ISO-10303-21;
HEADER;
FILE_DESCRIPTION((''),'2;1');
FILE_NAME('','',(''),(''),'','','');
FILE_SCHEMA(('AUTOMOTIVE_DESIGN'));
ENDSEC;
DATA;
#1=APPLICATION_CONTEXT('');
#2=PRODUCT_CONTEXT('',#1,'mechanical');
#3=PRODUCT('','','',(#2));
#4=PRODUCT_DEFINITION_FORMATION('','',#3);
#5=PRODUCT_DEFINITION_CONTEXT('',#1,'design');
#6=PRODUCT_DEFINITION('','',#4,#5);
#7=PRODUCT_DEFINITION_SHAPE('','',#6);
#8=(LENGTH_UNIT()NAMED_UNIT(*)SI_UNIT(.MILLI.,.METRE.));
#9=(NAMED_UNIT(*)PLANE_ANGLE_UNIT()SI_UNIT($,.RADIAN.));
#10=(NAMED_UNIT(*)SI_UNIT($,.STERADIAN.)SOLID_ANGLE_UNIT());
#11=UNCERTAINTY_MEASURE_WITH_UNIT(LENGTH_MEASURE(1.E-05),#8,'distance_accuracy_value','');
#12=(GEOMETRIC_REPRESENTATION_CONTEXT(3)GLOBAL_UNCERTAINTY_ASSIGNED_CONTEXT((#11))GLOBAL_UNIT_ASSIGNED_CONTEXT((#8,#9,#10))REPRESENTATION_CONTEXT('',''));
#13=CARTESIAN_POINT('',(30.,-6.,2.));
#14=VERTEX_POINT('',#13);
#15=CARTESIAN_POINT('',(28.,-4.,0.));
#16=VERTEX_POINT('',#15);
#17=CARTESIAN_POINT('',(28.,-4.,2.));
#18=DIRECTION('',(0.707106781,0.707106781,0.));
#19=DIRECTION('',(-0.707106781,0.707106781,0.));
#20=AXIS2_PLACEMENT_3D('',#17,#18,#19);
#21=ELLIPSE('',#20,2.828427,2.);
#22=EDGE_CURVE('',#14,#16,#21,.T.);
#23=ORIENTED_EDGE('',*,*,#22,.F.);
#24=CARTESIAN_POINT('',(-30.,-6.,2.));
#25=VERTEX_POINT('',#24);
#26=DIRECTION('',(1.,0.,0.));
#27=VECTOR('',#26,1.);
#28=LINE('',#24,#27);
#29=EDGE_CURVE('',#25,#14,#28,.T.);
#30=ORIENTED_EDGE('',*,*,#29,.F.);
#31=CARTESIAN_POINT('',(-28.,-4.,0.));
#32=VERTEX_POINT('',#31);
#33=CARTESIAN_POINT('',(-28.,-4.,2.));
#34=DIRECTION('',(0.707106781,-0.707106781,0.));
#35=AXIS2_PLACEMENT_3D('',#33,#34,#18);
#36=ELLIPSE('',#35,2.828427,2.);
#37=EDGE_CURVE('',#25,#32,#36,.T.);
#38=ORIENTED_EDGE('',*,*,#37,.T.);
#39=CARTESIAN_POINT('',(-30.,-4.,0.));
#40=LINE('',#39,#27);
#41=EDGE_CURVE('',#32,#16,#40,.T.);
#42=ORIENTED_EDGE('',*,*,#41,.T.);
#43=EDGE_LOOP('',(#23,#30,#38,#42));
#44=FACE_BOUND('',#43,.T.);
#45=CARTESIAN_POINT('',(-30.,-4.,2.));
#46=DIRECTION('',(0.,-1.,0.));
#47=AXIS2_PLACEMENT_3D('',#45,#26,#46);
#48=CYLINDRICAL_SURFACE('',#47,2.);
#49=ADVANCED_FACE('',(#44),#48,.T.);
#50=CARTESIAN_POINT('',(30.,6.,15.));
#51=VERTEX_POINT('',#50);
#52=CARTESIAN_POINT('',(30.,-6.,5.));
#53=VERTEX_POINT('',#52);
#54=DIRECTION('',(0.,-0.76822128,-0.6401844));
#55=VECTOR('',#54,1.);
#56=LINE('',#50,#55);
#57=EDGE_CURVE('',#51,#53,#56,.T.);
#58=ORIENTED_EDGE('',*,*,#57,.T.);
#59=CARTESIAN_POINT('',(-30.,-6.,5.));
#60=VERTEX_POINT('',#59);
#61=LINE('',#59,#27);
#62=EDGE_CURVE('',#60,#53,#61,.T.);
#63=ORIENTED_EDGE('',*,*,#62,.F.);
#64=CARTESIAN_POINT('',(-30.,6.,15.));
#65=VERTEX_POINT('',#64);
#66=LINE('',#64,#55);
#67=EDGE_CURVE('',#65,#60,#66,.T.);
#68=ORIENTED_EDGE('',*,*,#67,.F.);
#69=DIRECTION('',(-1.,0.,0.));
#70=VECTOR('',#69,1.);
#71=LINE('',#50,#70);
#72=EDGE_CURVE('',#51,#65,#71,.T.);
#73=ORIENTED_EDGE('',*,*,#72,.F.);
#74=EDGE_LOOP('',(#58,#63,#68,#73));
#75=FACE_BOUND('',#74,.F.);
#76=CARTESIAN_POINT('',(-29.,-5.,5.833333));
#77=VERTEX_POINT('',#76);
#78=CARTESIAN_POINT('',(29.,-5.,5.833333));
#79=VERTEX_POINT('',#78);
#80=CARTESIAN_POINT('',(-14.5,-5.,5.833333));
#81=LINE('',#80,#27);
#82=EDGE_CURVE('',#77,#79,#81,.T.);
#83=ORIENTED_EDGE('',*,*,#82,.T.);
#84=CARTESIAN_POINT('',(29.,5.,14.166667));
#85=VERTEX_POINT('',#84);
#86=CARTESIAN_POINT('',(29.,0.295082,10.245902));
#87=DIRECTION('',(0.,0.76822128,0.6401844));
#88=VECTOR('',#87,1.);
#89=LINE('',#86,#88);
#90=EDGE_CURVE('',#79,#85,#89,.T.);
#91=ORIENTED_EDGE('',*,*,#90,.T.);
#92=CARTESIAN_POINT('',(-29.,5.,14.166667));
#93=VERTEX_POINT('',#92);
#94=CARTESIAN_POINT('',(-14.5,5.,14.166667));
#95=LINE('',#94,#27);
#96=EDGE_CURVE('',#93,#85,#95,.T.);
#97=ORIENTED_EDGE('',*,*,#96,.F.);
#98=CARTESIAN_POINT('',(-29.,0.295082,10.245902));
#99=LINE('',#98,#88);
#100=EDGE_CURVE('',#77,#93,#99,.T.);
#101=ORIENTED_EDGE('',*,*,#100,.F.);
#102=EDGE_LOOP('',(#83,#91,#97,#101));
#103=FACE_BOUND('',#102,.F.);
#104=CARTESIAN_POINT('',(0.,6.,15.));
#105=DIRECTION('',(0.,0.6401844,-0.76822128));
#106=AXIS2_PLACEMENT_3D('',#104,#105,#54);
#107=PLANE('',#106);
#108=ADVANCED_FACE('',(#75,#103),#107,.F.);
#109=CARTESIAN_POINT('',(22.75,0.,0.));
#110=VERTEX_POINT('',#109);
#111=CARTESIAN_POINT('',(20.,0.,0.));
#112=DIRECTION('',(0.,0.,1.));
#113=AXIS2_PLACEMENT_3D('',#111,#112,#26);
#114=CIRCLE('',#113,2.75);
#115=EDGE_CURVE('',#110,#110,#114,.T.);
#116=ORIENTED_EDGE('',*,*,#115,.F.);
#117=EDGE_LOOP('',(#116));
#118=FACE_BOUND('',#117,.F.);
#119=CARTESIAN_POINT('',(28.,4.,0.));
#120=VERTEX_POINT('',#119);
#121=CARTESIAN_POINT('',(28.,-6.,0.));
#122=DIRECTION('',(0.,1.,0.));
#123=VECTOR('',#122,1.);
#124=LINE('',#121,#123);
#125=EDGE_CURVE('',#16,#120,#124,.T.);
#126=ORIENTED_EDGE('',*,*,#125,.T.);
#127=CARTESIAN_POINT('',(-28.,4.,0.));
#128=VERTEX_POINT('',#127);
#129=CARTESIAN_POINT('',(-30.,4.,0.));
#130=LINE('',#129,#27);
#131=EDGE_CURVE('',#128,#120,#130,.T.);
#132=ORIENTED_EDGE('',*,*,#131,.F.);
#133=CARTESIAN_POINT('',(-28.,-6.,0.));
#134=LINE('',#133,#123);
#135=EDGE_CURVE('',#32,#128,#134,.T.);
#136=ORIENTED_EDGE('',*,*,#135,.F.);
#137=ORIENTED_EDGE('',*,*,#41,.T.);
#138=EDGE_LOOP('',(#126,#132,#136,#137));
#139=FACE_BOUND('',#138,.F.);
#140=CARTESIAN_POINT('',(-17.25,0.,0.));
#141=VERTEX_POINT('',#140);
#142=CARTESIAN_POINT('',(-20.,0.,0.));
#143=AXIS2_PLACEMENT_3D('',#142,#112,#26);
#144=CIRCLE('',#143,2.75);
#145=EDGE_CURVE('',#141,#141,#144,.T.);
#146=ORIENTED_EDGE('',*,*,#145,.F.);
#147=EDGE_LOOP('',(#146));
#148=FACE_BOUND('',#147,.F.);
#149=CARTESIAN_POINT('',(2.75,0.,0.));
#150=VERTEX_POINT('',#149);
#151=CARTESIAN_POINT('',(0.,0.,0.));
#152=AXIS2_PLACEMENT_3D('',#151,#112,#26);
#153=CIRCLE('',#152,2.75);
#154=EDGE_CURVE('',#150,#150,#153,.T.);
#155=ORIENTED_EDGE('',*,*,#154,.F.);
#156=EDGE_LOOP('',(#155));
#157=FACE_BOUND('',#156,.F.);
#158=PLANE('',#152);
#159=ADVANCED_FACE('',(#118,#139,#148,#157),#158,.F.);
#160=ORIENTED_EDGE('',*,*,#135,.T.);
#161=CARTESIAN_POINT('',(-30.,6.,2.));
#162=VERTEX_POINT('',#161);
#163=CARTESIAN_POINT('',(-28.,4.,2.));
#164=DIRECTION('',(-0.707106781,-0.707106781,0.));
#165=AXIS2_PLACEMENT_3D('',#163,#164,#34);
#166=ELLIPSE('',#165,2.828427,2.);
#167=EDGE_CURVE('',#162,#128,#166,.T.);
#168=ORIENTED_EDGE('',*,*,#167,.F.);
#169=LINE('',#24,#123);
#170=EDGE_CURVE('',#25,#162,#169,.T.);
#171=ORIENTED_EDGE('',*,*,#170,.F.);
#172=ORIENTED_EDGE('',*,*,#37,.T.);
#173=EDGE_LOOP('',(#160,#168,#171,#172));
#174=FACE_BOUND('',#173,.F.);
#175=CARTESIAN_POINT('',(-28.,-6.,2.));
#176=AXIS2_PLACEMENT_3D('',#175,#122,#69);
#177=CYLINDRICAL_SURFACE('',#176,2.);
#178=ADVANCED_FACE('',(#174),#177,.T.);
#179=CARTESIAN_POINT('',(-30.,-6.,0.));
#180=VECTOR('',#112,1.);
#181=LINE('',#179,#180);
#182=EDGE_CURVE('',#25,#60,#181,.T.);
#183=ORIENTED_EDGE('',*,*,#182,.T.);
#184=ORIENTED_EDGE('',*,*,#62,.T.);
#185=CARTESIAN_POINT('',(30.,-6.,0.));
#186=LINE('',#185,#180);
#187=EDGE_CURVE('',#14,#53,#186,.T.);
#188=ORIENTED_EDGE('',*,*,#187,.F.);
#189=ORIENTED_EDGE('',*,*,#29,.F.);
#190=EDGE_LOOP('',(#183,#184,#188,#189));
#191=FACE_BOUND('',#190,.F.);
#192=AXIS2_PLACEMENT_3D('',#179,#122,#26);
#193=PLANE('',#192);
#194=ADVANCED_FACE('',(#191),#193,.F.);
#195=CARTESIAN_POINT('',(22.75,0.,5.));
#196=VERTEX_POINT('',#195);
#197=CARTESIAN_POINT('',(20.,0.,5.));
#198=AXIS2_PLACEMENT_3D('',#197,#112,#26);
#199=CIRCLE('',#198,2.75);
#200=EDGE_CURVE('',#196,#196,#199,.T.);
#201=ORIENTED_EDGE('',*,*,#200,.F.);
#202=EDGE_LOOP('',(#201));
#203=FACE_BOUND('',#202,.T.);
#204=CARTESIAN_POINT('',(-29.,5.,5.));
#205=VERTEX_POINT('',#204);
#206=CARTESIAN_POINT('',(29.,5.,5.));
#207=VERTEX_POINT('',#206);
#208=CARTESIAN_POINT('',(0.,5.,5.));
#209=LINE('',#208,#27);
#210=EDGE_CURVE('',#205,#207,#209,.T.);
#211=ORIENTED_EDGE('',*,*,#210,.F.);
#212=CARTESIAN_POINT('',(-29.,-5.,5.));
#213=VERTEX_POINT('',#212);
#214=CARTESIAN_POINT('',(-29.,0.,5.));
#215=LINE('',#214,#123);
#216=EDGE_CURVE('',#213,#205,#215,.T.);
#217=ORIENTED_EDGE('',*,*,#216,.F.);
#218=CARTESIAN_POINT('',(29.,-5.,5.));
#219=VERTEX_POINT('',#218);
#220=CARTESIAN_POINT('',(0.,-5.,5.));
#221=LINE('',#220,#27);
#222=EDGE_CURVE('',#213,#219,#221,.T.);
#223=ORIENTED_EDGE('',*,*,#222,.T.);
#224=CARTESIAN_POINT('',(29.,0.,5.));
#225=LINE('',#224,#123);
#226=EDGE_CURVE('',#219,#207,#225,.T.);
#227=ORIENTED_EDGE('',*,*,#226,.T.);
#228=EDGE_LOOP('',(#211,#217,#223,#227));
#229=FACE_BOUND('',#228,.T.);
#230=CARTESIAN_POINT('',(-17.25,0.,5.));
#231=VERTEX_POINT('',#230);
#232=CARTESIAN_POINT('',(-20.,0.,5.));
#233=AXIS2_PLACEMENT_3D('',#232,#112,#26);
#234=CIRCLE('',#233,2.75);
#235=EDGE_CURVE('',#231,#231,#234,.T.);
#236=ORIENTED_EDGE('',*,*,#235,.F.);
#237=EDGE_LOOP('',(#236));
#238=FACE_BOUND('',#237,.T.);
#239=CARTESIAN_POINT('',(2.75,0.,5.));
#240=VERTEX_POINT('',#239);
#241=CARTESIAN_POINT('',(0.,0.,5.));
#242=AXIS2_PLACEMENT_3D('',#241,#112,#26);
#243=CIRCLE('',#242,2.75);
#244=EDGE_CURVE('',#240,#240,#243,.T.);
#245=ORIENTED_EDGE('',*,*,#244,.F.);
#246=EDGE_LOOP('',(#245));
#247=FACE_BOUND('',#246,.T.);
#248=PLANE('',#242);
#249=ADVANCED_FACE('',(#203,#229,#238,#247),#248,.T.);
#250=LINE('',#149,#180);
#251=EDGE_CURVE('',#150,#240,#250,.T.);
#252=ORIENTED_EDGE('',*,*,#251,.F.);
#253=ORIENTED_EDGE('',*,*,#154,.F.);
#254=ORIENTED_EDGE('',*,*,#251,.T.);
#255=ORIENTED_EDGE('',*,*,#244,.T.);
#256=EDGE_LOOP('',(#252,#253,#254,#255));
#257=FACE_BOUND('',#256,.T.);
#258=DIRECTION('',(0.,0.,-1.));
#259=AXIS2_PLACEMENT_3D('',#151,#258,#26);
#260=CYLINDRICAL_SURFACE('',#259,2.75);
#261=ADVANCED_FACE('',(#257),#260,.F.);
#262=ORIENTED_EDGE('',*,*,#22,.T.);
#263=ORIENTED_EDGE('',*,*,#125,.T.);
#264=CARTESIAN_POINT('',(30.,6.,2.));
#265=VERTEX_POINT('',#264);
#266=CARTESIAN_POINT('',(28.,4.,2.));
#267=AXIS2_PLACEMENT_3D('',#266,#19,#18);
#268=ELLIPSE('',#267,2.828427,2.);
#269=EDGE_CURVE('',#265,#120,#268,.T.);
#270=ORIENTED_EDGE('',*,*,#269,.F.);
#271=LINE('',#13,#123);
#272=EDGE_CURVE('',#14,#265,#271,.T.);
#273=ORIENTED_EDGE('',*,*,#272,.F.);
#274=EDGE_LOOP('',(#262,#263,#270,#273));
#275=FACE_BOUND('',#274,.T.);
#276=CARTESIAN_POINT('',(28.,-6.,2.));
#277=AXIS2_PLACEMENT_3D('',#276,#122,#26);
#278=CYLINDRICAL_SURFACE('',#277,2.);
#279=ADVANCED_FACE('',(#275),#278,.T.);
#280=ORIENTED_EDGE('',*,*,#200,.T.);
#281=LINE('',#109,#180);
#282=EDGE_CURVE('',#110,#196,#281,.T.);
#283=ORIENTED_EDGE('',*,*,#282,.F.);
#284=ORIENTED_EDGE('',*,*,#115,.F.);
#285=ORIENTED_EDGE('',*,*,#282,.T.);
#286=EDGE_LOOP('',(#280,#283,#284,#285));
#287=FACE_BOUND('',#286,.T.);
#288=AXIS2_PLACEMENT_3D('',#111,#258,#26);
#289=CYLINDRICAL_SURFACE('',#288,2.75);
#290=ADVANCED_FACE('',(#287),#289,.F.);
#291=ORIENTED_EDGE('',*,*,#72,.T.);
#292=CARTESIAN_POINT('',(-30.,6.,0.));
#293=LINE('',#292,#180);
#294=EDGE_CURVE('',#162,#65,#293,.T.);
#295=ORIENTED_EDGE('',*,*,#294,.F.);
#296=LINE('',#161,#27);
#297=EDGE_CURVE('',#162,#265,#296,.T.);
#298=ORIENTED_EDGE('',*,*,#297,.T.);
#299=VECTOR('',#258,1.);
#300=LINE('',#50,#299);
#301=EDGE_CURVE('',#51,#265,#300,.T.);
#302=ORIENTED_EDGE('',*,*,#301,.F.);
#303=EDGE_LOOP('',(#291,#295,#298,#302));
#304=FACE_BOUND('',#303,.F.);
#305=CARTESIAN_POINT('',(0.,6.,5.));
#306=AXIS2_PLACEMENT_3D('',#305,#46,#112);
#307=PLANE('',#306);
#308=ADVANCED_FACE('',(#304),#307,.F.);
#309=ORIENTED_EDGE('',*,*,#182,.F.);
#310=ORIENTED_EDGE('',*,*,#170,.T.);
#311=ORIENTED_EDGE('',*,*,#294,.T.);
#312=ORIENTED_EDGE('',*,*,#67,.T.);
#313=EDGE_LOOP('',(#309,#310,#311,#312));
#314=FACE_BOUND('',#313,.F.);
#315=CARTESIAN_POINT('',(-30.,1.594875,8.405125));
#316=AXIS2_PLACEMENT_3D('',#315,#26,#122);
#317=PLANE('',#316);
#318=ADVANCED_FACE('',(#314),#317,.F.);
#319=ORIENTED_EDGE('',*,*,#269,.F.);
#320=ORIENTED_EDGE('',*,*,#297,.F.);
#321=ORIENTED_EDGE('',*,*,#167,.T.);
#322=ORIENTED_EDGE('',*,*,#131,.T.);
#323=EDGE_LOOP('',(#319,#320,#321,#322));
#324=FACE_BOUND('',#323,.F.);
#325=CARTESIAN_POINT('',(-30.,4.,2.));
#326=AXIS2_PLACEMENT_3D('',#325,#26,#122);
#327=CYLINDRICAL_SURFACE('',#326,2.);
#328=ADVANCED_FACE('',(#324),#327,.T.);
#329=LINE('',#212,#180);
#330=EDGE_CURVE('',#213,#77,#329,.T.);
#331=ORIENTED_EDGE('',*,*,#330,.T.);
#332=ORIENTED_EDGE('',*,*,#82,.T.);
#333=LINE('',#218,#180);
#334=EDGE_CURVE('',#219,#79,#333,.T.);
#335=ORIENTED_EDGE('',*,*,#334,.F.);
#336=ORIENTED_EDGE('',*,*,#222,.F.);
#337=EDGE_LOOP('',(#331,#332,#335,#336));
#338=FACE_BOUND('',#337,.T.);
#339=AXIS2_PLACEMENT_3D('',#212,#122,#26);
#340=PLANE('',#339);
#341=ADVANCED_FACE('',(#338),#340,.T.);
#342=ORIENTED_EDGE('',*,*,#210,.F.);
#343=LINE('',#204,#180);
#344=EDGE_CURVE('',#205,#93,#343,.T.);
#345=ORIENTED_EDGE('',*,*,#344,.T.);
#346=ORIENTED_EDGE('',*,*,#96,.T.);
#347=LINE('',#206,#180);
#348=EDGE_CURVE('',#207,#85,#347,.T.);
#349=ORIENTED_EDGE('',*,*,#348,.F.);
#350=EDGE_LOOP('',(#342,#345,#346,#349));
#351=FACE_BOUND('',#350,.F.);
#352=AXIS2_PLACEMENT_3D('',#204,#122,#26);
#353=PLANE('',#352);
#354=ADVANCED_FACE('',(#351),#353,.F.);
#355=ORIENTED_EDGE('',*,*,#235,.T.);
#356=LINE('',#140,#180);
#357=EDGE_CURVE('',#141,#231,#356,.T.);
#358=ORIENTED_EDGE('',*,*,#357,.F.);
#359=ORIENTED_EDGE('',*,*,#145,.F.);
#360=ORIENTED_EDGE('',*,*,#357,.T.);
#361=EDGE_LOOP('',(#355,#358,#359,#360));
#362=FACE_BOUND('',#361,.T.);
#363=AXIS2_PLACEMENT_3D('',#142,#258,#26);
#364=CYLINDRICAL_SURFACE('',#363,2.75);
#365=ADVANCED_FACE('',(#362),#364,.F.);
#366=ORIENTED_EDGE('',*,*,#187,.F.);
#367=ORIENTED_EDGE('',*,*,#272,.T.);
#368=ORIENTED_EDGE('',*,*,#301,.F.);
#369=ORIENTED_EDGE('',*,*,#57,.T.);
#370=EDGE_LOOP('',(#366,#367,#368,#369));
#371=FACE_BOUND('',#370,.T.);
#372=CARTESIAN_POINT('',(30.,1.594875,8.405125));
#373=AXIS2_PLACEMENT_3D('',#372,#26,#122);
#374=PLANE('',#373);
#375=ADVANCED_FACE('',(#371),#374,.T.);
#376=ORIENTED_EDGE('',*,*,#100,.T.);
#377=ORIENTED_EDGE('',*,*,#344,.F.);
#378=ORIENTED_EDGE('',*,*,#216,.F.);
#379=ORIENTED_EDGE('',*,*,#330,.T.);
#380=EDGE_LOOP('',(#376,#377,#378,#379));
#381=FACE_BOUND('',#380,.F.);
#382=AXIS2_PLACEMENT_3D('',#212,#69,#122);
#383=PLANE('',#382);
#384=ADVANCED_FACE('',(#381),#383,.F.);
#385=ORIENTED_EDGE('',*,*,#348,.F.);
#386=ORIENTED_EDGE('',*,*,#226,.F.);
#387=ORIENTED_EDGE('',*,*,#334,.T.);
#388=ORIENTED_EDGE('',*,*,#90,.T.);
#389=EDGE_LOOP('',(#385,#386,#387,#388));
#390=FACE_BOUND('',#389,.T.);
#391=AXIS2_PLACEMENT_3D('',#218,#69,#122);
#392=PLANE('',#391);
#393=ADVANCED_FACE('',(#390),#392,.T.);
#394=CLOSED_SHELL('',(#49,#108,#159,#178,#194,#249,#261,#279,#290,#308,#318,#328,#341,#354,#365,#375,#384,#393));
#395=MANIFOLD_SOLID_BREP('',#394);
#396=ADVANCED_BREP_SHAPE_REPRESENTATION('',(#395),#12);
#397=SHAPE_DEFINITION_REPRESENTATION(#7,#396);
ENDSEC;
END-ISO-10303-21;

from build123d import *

# Parameters (mm, degrees)
F0_W          = 60
F0_H          = 12
F0_W_2        = 58
F0_H_2        = 10
F0_R          = 2.75
F1_DEPTH      = 5
F3_DEPTH      = 30
F3_DEPTH_BACK = 30
F4_START      = 5
F4_DEPTH      = 10.001
F5_R          = 2


with BuildPart() as f1:
    # F0 (on Top) → F1 (new body)
    with BuildSketch(Plane.XY):
        Rectangle(F0_W, F0_H)
        Rectangle(F0_W_2, F0_H_2, mode=Mode.SUBTRACT)
        Rectangle(F0_W_2, F0_H_2)
        with Locations((-20, 0)):
            Circle(F0_R, mode=Mode.SUBTRACT)
        Circle(F0_R, mode=Mode.SUBTRACT)
        with Locations((20, 0)):
            Circle(F0_R, mode=Mode.SUBTRACT)
    extrude(amount=F1_DEPTH)

    # F2 (on Right) → F3 (join, two sides)
    with BuildSketch(Plane.YZ) as f3_sk:
        Polygon((6, 15), (-6, 5), (6, 5), align=None)
    extrude(amount=-F3_DEPTH)
    extrude(f3_sk.sketch, amount=F3_DEPTH_BACK)

    # F0 (on Top) → F4 (cut)
    with BuildSketch(Plane.XY.offset(F4_START)):
        Rectangle(F0_W_2, F0_H_2)
        with Locations((-20, 0)):
            Circle(F0_R, mode=Mode.SUBTRACT)
        Circle(F0_R, mode=Mode.SUBTRACT)
        with Locations((20, 0)):
            Circle(F0_R, mode=Mode.SUBTRACT)
        Circle(F0_R)
        with Locations((-20, 0)):
            Circle(F0_R)
        with Locations((20, 0)):
            Circle(F0_R)
    extrude(amount=F4_DEPTH, mode=Mode.SUBTRACT)

    # F5
    f5_edges = [f1.edges().sort_by_distance(p)[0] for p in [
        (0, 6, 0),
        (30, 0, 0),
        (0, -6, 0),
        (-30, 0, 0),
    ]]
    fillet(f5_edges, radius=F5_R)


solid = f1.part
